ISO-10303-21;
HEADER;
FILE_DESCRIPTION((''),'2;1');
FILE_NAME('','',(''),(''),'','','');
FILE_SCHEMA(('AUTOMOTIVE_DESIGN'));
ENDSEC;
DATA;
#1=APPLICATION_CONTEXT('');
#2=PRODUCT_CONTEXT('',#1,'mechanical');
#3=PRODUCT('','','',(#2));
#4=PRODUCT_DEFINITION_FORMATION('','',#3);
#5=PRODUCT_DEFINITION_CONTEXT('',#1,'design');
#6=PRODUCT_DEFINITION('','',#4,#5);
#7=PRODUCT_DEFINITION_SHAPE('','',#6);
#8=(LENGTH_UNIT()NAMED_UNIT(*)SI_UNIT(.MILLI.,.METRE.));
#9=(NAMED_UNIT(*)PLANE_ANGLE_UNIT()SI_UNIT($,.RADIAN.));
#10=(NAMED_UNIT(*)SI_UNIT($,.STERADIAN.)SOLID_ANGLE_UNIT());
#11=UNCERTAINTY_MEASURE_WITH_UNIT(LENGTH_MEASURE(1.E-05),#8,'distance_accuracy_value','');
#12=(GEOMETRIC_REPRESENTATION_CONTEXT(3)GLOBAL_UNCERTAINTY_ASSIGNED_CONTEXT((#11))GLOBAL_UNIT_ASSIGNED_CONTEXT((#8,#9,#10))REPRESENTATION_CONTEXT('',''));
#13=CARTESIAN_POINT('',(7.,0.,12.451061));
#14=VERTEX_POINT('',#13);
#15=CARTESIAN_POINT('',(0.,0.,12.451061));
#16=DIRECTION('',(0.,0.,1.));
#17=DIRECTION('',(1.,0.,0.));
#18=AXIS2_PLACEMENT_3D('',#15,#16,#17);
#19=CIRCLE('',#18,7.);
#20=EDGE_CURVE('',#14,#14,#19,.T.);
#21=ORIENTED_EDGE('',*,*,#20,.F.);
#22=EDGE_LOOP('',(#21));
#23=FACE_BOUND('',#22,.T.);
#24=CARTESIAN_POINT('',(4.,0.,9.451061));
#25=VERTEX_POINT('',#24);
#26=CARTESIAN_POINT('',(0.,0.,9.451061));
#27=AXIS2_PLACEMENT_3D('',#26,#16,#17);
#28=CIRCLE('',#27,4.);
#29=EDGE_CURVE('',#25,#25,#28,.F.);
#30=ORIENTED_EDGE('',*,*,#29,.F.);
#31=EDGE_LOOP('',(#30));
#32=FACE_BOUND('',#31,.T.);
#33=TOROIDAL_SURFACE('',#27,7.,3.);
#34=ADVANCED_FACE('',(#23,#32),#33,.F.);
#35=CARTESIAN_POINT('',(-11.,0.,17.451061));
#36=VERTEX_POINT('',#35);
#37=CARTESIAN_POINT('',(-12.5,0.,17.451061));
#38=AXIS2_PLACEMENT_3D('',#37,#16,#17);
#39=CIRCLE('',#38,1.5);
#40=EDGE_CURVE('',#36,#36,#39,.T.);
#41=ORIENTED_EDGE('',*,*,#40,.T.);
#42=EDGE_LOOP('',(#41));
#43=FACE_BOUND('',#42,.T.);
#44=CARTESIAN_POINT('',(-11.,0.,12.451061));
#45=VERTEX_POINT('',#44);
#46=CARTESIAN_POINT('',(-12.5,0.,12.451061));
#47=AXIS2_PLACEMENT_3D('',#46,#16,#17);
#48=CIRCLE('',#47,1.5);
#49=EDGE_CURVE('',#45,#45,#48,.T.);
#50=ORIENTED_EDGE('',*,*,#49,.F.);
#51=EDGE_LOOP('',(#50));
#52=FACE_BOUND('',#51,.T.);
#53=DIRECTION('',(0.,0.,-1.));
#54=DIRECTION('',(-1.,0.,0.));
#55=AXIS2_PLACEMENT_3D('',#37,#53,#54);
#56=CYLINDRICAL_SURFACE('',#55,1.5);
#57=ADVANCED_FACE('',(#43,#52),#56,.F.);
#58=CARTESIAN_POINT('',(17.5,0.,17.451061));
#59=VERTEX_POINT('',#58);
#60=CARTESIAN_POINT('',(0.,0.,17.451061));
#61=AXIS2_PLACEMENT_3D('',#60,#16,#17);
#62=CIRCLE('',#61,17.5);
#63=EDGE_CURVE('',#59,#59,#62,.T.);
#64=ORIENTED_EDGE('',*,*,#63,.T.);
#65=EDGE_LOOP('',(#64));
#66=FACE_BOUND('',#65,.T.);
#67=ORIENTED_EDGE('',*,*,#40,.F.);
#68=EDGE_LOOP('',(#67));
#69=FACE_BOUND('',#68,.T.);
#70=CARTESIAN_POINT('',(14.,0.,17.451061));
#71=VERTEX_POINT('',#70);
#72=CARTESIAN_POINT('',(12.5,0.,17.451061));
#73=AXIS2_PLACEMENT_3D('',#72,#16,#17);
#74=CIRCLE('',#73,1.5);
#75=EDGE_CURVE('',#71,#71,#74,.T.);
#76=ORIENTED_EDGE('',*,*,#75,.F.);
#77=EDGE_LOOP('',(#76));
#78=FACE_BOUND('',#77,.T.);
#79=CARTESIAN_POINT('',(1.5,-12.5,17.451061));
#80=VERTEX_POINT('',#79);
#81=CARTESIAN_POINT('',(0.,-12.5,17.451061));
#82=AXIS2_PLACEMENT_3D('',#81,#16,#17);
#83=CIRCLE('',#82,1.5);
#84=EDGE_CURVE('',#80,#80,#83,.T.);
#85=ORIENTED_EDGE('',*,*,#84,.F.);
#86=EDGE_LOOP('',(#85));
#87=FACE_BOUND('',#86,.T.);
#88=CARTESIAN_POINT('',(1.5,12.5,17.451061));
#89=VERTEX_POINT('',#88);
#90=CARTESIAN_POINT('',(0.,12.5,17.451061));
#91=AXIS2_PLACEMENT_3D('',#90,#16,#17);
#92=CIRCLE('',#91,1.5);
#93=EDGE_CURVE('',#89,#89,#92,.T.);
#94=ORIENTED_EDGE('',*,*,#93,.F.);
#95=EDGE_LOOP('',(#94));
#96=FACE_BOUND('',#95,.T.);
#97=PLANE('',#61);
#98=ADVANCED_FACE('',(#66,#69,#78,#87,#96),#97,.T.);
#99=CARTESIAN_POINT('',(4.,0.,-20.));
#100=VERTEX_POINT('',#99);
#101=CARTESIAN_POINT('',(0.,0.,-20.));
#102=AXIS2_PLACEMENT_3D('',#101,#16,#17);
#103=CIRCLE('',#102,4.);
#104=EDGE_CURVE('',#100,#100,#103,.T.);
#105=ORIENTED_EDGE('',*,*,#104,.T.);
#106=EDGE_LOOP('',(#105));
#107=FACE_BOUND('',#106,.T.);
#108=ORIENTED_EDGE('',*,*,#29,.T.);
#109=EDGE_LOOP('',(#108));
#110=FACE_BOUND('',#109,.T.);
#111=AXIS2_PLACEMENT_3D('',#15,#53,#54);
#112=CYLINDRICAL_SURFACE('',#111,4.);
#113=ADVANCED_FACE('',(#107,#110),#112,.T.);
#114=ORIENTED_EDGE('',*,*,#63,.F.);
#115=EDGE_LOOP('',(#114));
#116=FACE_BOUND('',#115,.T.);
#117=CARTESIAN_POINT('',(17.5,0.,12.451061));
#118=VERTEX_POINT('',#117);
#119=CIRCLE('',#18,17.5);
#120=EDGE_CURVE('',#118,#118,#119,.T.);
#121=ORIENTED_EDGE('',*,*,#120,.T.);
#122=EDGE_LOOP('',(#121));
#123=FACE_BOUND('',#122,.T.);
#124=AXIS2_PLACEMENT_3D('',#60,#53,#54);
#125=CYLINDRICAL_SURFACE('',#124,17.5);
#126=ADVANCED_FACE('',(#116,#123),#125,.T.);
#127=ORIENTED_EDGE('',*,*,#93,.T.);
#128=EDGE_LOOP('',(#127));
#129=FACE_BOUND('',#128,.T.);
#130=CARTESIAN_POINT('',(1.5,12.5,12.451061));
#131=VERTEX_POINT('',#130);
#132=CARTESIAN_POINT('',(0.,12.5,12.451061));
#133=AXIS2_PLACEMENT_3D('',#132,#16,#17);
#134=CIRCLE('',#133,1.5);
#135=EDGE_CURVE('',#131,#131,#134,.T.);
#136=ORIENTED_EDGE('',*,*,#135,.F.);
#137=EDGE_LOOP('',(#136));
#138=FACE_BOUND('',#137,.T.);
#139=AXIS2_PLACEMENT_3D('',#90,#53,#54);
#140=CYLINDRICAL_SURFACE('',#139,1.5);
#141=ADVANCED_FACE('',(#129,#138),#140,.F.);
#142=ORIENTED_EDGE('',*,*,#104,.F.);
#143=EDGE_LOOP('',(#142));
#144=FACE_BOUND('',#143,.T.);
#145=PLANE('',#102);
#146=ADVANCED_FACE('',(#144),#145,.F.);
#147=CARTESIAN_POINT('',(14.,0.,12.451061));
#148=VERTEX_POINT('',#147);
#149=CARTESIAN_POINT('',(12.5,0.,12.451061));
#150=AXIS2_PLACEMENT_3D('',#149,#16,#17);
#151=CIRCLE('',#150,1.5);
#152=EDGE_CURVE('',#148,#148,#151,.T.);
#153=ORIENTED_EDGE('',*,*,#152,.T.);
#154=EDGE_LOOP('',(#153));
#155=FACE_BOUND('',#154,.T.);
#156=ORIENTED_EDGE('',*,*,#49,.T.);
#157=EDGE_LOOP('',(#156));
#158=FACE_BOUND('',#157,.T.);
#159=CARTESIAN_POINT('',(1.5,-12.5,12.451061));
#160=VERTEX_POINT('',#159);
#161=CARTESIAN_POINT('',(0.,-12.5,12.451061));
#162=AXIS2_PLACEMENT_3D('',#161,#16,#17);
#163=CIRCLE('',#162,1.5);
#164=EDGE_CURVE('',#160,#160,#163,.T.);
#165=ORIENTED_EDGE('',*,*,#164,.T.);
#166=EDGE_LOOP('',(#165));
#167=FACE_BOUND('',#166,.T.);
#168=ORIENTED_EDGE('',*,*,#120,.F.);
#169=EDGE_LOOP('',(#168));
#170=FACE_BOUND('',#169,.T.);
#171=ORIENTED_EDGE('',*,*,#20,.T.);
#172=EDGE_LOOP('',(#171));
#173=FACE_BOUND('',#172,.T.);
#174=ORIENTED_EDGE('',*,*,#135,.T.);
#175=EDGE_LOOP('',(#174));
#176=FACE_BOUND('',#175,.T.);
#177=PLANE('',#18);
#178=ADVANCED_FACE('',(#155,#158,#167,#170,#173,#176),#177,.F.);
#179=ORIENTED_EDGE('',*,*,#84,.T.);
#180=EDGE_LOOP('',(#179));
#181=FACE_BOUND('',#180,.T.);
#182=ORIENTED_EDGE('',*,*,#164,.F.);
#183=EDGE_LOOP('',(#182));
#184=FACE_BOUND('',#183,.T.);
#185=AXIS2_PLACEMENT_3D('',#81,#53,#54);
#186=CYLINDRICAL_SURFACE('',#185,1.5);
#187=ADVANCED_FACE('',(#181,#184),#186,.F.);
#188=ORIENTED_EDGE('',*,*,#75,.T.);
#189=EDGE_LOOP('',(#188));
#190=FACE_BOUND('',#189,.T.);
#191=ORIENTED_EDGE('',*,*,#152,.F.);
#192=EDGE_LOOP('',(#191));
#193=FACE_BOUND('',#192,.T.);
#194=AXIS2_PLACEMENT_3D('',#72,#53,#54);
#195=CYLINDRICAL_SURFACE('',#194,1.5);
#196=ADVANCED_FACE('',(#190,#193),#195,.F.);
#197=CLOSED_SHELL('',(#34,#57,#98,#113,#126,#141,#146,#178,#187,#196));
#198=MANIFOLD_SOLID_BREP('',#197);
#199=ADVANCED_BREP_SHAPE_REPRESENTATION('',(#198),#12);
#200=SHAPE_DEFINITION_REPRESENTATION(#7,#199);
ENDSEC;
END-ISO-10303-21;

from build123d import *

# Parameters (mm, degrees)
SKETCH1_R                = 4
BOSS_EXTRUDE1_DEPTH      = 12.451061179
BOSS_EXTRUDE1_DEPTH_BACK = 20
SKETCH3_R                = 17.5
SKETCH3_R_2              = 1.5
BOSS_EXTRUDE2_DEPTH      = 5
FILLET1_R                = 3


with BuildPart() as part:
    # Sketch1 → Boss-Extrude1 (new body, two sides)
    with BuildSketch(Plane.XY) as boss_extrude1_sk:
        Circle(SKETCH1_R)
    extrude(amount=BOSS_EXTRUDE1_DEPTH)
    extrude(boss_extrude1_sk.sketch, amount=-BOSS_EXTRUDE1_DEPTH_BACK)

    # Sketch3 → Boss-Extrude2 (add)
    with BuildSketch(Plane.XY.offset(12.451061179)):
        Circle(SKETCH3_R)
        with Locations((0, 12.5)):
            Circle(SKETCH3_R_2, mode=Mode.SUBTRACT)
        with Locations((12.5, 0)):
            Circle(SKETCH3_R_2, mode=Mode.SUBTRACT)
        with Locations((0, -12.5)):
            Circle(SKETCH3_R_2, mode=Mode.SUBTRACT)
        with Locations((-12.5, 0)):
            Circle(SKETCH3_R_2, mode=Mode.SUBTRACT)
    extrude(amount=BOSS_EXTRUDE2_DEPTH)

    # Fillet1
    fillet1_edges = [part.edges().sort_by_distance(p)[0] for p in [
        (-4, 0, 12.451061179),
    ]]
    fillet(fillet1_edges, radius=FILLET1_R)


solid = part.part
